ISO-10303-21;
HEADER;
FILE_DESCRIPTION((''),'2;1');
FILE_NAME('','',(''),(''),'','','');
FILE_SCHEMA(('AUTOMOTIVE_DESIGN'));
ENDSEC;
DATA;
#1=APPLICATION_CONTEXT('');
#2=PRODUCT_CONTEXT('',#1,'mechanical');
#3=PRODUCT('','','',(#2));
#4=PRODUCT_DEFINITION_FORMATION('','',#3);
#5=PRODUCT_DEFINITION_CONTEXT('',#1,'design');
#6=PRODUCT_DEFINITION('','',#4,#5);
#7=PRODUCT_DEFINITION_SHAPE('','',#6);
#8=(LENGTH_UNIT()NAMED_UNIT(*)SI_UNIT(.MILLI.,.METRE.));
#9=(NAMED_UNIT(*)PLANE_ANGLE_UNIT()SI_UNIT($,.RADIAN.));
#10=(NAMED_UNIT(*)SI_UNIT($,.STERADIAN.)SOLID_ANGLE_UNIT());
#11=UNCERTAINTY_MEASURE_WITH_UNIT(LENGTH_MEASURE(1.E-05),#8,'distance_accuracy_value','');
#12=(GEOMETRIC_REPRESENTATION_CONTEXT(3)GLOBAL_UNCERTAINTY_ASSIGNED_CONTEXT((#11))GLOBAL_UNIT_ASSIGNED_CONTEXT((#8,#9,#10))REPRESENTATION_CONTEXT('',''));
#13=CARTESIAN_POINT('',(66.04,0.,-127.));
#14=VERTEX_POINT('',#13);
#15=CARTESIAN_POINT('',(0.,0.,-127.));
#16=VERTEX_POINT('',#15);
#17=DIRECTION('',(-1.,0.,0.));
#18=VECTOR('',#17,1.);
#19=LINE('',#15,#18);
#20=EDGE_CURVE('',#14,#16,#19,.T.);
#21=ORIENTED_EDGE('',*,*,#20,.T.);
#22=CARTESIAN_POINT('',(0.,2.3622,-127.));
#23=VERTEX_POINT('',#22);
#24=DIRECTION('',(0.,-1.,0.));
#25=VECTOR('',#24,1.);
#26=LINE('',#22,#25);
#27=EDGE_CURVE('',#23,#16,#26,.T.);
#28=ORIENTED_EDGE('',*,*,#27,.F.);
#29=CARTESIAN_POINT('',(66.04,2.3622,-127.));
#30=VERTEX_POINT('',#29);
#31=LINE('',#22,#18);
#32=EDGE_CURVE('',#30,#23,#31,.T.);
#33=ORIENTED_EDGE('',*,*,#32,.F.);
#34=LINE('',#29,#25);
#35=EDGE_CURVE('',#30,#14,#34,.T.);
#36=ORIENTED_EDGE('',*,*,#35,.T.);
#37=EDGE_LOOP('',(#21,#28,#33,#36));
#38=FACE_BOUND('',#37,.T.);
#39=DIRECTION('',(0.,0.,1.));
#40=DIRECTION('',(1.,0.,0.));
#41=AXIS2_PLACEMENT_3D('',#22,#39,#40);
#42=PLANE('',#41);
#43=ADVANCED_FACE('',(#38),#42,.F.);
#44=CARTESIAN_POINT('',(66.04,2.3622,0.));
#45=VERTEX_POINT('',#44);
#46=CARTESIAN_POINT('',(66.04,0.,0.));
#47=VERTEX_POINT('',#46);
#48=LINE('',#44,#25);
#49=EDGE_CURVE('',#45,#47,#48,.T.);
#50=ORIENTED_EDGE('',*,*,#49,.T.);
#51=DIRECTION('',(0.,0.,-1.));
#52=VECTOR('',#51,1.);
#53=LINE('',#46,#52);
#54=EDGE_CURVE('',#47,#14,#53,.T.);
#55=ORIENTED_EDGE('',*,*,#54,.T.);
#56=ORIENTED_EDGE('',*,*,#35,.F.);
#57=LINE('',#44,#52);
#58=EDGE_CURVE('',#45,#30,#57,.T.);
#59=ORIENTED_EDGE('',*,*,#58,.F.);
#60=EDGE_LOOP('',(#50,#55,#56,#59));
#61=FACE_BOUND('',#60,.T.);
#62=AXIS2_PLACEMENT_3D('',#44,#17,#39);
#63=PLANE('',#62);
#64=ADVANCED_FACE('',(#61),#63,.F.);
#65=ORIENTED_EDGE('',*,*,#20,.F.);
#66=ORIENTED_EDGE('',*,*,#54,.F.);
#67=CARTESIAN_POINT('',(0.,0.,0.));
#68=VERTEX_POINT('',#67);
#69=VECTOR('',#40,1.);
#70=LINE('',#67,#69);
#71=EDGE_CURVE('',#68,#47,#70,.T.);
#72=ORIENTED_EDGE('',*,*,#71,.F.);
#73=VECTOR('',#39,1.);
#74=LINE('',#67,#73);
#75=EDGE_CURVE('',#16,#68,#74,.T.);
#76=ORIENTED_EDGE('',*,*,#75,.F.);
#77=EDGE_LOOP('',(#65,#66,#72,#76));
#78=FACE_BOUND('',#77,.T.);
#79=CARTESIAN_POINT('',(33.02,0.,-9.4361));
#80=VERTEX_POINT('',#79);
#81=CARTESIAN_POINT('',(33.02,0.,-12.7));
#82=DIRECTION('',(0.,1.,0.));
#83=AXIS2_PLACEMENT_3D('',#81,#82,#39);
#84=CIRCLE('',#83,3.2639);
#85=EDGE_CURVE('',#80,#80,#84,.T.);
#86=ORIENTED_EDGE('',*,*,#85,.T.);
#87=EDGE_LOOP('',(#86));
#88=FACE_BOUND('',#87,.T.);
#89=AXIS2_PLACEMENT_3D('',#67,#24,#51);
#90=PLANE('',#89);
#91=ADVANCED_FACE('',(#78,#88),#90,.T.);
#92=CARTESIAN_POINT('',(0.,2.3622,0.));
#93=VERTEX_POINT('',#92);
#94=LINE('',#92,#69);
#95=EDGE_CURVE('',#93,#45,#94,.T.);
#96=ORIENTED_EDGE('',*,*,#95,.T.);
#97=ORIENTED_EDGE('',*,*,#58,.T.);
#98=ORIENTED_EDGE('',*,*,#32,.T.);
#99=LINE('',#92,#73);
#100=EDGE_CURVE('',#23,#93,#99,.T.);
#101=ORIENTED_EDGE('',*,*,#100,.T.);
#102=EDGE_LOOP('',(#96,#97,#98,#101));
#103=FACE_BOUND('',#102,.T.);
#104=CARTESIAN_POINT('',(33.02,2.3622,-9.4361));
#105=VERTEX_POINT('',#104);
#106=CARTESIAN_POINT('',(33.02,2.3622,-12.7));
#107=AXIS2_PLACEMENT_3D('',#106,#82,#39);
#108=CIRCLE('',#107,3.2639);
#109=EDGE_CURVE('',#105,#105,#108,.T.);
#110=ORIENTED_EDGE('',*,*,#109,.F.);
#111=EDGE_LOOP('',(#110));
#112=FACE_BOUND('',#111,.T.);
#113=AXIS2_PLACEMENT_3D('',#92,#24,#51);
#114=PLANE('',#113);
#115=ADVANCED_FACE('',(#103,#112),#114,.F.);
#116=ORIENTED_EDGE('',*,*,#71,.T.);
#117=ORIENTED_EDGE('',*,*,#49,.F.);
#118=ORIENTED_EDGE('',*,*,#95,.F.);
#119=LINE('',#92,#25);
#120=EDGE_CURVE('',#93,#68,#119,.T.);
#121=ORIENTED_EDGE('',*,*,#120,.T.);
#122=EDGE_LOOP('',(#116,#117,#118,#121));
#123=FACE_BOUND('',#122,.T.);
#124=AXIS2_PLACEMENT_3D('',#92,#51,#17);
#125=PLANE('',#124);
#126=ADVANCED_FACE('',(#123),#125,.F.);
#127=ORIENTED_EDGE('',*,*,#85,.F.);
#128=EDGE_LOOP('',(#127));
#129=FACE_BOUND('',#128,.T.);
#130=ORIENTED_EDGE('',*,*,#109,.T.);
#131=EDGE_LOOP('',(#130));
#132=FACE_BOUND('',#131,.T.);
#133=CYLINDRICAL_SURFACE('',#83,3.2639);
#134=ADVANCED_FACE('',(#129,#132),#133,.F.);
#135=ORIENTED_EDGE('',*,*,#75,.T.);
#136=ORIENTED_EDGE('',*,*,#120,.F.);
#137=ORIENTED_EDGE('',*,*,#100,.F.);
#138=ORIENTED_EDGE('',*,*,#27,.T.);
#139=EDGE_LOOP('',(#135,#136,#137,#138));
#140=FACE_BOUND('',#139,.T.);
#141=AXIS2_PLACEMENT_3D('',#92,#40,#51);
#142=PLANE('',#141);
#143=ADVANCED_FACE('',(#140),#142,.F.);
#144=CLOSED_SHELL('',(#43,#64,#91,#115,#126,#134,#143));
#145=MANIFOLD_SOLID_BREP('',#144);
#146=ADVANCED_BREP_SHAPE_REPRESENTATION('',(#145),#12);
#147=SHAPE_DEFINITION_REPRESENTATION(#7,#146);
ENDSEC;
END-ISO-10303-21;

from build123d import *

# Parameters (mm, degrees)
SKETCH1_W           = 66.04
SKETCH1_H           = 127
BOSS_EXTRUDE1_DEPTH = 2.3622
SKETCH2_R           = 3.2639
CUT_EXTRUDE1_DEPTH  = 144.163757945


with BuildPart() as part:
    # Sketch1 → Boss-Extrude1 (new body)
    with BuildSketch(Plane(origin=(0, 0, 0), x_dir=(1, 0, 0), z_dir=(0, 1, 0))):
        with Locations((33.02, 63.5)):
            Rectangle(SKETCH1_W, SKETCH1_H)
    extrude(amount=BOSS_EXTRUDE1_DEPTH)

    # Sketch2 → Cut-Extrude1 (cut, through all)
    with BuildSketch(Plane(origin=(0, 2.3622, 0), x_dir=(1, 0, 0), z_dir=(0, 1, 0))):
        with Locations(Location((33.02, 12.7, 0), (0, 0, 270))):
            Circle(SKETCH2_R)
    extrude(amount=-CUT_EXTRUDE1_DEPTH, mode=Mode.SUBTRACT)


solid = part.part
